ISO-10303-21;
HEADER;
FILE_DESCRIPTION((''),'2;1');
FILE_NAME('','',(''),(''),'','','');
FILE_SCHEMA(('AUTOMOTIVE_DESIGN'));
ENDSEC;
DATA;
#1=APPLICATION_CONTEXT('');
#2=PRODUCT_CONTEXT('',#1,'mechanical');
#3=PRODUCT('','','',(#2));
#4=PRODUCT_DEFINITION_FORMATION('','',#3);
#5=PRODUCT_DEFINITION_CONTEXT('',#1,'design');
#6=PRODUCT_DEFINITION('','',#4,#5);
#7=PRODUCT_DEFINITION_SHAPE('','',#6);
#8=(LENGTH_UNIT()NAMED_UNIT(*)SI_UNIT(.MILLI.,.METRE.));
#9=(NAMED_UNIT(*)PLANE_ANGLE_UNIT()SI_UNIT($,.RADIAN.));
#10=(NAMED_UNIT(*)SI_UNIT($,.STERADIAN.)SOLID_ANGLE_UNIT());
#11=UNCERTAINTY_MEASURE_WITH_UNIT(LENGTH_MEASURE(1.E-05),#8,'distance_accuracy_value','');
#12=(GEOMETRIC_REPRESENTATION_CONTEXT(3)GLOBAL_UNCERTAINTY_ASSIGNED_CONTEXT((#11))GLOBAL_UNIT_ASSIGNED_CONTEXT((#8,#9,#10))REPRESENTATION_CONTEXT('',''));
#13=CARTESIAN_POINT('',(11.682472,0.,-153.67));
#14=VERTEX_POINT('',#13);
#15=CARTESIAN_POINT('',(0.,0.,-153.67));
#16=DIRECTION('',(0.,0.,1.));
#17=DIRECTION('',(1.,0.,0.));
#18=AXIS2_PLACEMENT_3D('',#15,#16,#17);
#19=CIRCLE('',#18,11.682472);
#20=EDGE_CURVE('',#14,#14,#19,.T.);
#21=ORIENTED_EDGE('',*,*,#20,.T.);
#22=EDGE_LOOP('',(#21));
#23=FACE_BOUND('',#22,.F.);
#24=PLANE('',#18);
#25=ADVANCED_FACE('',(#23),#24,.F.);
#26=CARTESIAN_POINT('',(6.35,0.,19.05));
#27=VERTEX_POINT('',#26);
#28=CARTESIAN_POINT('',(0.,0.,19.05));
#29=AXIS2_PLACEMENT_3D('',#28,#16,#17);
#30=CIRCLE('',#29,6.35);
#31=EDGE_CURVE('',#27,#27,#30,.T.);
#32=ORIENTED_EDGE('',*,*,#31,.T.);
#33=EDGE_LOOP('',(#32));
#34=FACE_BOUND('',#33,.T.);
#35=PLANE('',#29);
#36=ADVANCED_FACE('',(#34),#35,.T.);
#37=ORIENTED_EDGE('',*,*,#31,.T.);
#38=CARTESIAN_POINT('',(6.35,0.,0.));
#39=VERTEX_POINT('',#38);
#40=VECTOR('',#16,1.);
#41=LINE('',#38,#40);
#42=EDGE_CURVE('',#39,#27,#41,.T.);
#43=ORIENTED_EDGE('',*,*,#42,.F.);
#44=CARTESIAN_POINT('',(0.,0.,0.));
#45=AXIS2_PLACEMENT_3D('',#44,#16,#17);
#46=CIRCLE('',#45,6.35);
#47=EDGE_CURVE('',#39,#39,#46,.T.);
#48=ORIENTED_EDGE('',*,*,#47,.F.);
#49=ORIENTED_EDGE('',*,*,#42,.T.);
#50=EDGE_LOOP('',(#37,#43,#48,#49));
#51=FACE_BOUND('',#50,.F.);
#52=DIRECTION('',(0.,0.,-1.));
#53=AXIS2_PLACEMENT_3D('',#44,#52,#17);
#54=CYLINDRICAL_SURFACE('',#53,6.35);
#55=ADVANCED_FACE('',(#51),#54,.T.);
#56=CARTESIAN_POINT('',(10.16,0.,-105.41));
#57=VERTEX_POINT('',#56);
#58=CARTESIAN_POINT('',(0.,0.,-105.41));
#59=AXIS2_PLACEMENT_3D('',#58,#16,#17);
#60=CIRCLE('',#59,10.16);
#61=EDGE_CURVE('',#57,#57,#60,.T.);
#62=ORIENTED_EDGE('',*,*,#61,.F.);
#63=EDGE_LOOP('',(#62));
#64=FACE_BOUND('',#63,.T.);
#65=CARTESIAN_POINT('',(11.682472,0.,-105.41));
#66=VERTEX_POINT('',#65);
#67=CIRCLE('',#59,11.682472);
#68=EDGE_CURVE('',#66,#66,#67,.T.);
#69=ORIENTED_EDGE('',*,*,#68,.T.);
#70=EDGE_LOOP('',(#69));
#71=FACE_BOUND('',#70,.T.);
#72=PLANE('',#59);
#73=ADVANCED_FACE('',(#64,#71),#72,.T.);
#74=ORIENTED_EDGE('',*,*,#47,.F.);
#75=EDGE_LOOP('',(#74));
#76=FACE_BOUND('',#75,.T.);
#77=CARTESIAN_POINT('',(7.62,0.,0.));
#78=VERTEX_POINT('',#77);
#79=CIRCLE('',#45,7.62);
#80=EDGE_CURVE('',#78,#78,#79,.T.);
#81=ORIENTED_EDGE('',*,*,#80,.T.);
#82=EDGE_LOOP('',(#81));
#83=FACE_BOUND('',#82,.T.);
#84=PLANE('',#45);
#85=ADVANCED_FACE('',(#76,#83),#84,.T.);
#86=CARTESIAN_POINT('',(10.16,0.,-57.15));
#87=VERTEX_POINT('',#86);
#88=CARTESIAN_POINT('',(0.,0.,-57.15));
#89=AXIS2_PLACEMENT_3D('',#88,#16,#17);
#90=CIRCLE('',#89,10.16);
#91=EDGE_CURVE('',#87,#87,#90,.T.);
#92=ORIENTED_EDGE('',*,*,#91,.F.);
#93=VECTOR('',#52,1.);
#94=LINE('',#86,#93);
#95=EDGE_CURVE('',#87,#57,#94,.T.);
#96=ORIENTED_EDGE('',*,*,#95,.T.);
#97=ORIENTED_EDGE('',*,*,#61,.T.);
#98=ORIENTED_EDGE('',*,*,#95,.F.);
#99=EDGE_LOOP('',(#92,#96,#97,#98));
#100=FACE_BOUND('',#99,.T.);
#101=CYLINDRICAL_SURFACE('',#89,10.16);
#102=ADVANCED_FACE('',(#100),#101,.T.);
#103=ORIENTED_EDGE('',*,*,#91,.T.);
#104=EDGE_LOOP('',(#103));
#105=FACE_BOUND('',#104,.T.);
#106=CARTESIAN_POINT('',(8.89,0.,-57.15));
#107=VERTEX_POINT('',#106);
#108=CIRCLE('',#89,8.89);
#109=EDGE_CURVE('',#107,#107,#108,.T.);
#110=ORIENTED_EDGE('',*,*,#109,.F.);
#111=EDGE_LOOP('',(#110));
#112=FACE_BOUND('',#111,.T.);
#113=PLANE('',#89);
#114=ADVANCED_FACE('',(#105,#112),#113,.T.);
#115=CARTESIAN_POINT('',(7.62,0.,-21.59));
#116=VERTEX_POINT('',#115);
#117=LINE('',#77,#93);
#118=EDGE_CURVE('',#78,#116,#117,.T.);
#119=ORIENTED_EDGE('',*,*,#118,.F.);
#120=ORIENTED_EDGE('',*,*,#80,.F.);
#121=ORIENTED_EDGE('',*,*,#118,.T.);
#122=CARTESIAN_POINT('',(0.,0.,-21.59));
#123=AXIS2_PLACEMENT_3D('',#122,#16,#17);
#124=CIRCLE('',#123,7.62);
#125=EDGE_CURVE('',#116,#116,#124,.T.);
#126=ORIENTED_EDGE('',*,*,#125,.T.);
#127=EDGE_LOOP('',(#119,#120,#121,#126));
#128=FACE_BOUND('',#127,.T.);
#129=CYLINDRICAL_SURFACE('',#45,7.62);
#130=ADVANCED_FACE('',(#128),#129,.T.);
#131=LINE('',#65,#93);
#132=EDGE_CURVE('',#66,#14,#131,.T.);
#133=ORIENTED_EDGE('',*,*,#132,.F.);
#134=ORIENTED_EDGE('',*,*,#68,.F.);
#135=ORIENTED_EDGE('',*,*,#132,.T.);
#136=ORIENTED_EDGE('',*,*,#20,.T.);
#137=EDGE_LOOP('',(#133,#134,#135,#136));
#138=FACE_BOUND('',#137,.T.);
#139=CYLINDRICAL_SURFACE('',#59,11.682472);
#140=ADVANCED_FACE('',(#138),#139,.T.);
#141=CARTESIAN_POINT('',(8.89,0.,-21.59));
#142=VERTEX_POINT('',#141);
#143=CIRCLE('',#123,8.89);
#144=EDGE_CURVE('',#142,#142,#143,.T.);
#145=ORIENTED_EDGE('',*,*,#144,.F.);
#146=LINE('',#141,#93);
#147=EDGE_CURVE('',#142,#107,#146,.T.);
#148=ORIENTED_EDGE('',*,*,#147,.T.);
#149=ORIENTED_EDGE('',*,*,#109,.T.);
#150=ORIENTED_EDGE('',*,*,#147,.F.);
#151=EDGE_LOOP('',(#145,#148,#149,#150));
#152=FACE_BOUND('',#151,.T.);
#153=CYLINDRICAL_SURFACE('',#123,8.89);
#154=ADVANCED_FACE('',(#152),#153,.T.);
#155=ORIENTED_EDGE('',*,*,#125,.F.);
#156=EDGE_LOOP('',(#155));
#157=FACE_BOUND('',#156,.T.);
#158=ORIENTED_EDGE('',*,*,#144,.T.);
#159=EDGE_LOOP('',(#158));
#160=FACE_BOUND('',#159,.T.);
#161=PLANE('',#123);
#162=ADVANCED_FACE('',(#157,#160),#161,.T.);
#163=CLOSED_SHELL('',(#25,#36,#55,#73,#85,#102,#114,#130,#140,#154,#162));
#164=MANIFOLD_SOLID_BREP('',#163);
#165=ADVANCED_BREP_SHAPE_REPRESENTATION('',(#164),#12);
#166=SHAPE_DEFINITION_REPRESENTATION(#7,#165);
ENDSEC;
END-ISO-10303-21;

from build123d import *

# Parameters (mm, degrees)
F0_R      = 6.35
F1_DEPTH  = 19.05
F2_R      = 7.62
F3_DEPTH  = 21.59
F5_R      = 8.89
F6_DEPTH  = 35.56
F8_R      = 10.16
F9_DEPTH  = 48.26
F11_R     = 11.682472
F12_DEPTH = 48.26


with BuildPart() as f1:
    # F0 (on Top) → F1 (new body)
    with BuildSketch(Plane.XY):
        Circle(F0_R)
    extrude(amount=F1_DEPTH)

    # F2 (on Top) → F3 (join)
    with BuildSketch(Plane.XY):
        Circle(F2_R)
    extrude(amount=-F3_DEPTH)

    # F5 (on offset) → F6 (join)
    with BuildSketch(Plane.XY.offset(-21.59)):
        Circle(F5_R)
    extrude(amount=-F6_DEPTH)

    # F8 (on offset) → F9 (join)
    with BuildSketch(Plane.XY.offset(-57.15)):
        Circle(F8_R)
    extrude(amount=-F9_DEPTH)

    # F11 (on offset) → F12 (join)
    with BuildSketch(Plane.XY.offset(-105.41)):
        Circle(F11_R)
    extrude(amount=-F12_DEPTH)


solid = f1.part
